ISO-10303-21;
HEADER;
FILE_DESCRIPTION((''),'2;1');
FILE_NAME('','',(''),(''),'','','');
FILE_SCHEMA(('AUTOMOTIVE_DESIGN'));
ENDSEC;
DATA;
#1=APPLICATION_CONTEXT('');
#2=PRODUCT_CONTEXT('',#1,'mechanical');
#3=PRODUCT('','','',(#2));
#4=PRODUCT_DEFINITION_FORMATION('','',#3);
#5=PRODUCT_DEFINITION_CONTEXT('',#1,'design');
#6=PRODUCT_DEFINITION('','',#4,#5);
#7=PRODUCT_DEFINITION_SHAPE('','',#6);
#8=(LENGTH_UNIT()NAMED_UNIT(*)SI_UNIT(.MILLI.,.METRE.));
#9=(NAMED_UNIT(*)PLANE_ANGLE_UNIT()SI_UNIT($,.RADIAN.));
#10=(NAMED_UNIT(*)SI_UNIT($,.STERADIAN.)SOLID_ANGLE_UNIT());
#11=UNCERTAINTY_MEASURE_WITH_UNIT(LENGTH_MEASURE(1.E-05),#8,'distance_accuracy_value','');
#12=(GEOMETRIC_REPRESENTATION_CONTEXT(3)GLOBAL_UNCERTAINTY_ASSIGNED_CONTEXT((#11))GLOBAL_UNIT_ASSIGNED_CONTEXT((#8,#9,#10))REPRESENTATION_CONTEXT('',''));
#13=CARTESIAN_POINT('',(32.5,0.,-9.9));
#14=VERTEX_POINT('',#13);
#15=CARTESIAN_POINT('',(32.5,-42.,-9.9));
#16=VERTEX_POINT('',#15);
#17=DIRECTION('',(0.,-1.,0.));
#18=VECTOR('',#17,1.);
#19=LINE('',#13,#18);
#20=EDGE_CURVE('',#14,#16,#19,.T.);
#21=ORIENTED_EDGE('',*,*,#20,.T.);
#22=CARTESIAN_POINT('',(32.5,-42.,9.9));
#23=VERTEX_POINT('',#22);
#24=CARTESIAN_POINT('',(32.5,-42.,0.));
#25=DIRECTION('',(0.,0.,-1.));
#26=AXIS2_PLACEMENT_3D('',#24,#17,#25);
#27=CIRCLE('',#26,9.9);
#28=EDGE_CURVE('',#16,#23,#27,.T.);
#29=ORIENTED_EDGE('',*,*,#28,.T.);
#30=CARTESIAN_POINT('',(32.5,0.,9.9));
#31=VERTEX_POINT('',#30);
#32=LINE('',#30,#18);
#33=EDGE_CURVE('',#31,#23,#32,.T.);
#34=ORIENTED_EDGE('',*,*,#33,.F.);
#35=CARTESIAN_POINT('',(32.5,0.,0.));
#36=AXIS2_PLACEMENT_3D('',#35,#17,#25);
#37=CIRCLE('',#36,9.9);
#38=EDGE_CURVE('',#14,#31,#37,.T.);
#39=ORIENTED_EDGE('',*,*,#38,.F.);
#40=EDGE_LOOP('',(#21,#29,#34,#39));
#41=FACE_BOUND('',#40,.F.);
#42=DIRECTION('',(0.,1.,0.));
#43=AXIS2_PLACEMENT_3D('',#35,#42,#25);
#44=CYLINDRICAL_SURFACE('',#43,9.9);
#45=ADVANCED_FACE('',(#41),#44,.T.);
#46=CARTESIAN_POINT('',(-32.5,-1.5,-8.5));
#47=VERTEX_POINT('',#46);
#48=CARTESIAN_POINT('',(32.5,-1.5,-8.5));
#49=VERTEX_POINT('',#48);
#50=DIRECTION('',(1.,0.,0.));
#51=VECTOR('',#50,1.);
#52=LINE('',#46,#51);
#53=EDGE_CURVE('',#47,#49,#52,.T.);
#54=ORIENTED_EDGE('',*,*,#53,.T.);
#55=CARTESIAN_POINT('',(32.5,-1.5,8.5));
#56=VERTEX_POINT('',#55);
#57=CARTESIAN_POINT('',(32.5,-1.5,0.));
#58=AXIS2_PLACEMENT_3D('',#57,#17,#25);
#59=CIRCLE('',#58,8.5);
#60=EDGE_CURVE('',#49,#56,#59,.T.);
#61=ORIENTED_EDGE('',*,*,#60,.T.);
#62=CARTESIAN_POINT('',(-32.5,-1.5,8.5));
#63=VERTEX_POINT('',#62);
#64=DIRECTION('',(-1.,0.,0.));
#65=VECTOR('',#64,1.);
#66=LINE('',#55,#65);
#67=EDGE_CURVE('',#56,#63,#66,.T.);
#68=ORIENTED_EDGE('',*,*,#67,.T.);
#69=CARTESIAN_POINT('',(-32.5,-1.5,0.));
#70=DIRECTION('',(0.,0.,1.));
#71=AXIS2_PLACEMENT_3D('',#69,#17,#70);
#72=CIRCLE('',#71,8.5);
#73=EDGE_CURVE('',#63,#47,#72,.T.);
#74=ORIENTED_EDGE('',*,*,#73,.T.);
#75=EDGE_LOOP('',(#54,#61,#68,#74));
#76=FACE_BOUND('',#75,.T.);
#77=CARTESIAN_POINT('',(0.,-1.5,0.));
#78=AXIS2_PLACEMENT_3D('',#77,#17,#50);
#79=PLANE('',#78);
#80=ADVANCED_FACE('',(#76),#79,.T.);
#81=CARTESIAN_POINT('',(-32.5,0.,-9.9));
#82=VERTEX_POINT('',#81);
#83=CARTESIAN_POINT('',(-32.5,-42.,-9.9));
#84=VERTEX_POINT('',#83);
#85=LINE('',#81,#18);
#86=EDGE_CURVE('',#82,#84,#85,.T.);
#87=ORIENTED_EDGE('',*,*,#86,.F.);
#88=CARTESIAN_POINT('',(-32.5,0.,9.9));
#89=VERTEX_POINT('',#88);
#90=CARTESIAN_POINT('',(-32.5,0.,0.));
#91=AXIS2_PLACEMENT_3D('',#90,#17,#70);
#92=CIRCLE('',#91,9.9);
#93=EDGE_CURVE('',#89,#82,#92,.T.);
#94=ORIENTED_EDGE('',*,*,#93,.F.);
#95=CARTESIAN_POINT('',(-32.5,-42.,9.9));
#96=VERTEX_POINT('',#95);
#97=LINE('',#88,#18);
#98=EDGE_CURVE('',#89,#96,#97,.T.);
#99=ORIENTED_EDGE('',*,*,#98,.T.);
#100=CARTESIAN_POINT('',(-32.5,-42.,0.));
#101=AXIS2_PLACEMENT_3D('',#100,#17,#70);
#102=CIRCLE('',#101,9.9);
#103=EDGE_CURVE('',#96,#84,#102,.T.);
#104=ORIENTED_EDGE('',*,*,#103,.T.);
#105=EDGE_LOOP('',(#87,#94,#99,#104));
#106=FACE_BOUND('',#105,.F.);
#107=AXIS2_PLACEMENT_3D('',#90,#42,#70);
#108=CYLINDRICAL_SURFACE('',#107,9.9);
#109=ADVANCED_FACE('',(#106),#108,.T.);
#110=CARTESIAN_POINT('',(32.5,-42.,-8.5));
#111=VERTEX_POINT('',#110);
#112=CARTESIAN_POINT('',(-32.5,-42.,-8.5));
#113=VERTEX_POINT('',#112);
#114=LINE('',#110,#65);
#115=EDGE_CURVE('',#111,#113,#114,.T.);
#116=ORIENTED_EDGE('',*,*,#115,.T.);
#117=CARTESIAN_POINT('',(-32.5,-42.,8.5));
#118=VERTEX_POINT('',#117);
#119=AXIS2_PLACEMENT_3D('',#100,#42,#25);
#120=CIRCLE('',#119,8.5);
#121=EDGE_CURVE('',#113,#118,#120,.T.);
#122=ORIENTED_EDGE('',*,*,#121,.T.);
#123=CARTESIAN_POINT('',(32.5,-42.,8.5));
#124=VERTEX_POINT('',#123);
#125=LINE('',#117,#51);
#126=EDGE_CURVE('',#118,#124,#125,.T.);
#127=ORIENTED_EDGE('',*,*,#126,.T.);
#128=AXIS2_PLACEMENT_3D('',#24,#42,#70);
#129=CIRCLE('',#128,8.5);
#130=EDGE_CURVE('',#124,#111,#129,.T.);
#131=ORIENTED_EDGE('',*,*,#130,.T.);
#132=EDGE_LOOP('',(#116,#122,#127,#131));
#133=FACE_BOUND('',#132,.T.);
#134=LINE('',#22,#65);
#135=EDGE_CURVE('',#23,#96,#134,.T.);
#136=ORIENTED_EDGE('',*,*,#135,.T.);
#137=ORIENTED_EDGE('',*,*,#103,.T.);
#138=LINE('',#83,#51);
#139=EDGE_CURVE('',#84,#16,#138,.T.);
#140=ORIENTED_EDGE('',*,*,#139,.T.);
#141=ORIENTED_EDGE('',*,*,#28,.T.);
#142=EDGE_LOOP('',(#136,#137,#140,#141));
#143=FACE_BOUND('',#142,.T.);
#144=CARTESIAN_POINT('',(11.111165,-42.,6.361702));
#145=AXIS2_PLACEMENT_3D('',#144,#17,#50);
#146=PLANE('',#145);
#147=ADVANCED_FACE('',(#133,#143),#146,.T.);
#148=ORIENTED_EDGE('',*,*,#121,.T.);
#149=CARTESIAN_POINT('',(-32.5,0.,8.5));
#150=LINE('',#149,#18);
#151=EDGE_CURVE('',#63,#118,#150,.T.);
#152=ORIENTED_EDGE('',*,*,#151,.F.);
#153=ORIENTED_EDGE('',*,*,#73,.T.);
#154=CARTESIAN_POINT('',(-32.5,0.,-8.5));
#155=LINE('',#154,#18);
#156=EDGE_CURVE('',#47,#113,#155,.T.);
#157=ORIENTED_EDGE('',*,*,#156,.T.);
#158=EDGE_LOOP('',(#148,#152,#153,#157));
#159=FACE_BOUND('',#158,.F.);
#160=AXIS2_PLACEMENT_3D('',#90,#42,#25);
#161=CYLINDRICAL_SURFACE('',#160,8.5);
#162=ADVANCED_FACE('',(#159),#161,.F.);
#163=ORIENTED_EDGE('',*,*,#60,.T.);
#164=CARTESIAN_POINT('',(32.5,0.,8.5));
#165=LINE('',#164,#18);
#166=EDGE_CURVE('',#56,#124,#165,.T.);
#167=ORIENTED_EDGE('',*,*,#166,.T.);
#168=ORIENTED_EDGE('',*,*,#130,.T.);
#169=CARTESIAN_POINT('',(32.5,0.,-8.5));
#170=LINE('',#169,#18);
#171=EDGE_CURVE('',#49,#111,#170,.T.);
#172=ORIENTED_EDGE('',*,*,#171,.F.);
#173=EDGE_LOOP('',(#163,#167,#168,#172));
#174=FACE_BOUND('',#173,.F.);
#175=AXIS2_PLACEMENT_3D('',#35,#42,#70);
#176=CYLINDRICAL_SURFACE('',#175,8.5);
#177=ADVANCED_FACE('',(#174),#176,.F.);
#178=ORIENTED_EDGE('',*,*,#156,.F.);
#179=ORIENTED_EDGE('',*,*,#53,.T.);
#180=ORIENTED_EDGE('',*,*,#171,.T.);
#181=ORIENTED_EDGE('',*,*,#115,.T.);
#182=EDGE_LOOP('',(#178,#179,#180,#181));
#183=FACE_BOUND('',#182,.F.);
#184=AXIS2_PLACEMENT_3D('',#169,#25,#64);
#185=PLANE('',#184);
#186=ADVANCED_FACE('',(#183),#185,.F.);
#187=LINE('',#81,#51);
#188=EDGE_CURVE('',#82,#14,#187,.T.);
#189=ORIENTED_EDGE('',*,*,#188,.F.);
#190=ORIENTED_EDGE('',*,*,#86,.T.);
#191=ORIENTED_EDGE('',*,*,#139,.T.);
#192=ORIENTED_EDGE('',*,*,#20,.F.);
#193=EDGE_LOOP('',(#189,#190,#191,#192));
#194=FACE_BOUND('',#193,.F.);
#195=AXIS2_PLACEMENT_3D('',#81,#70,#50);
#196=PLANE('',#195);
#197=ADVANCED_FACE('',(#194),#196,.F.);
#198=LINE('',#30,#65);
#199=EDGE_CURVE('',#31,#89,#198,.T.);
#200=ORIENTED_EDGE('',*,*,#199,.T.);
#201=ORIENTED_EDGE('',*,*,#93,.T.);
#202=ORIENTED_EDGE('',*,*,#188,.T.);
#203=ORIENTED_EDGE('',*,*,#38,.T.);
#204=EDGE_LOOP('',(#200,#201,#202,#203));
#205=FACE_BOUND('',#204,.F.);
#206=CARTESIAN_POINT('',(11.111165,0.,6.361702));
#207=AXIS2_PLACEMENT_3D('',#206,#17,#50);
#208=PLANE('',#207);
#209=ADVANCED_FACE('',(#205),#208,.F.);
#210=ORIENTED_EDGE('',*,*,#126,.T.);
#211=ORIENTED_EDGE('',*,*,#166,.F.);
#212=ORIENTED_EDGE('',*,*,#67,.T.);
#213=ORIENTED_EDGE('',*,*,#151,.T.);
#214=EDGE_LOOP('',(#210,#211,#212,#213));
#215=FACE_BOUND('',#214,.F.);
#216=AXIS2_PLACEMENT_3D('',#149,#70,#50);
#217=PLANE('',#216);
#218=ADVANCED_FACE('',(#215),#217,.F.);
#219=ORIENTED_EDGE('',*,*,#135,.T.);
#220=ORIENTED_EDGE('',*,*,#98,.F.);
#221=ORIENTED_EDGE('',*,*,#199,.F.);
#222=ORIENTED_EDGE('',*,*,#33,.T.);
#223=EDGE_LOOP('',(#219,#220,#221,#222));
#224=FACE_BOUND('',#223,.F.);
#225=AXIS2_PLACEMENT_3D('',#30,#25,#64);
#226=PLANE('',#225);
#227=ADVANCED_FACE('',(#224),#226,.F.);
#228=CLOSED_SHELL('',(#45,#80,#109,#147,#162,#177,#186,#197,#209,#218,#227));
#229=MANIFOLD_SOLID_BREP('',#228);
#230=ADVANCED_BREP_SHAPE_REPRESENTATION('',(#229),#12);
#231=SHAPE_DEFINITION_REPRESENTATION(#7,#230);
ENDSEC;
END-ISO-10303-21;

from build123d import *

# Parameters (mm, degrees)
F1_DEPTH = 1.5
F2_DEPTH = 42


with BuildPart() as f1:
    # F0 (on Front) → F1 (new body)
    with BuildSketch(Plane.XZ):
        with BuildLine():
            Line((32.5, 8), (-32.5, 8))
            ThreePointArc((-32.5, 8), (-40.5, 0), (-32.5, -8))
            Line((-32.5, -8), (32.5, -8))
            ThreePointArc((32.5, -8), (40.5, 0), (32.5, 8))
        make_face()
        with BuildLine():
            Line((32.5, 8.5), (-32.5, 8.5))
            Line((-32.5, 8.5), (-32.5, 8))
            Line((-32.5, 8), (32.5, 8))
            ThreePointArc((32.5, 8), (40.5, 0), (32.5, -8))
            Line((32.5, -8), (32.5, -8.5))
            ThreePointArc((32.5, -8.5), (41, 0), (32.5, 8.5))
        make_face()
        with BuildLine():
            Line((-32.5, 8), (-32.5, 8.5))
            ThreePointArc((-32.5, 8.5), (-41, 0), (-32.5, -8.5))
            Line((-32.5, -8.5), (32.5, -8.5))
            Line((32.5, -8.5), (32.5, -8))
            Line((32.5, -8), (-32.5, -8))
            ThreePointArc((-32.5, -8), (-40.5, 0), (-32.5, 8))
        make_face()
    extrude(amount=F1_DEPTH)

    # F0 (on Front) → F2 (join)
    with BuildSketch(Plane.XZ):
        with BuildLine():
            Line((32.5, 9.9), (-32.5, 9.9))
            Line((-32.5, 9.9), (-32.5, 8.5))
            Line((-32.5, 8.5), (32.5, 8.5))
            ThreePointArc((32.5, 8.5), (41, 0), (32.5, -8.5))
            Line((32.5, -8.5), (32.5, -9.9))
            ThreePointArc((32.5, -9.9), (42.4, 0), (32.5, 9.9))
        make_face()
        with BuildLine():
            Line((-32.5, 8.5), (-32.5, 9.9))
            ThreePointArc((-32.5, 9.9), (-42.4, 0), (-32.5, -9.9))
            Line((-32.5, -9.9), (32.5, -9.9))
            Line((32.5, -9.9), (32.5, -8.5))
            Line((32.5, -8.5), (-32.5, -8.5))
            ThreePointArc((-32.5, -8.5), (-41, 0), (-32.5, 8.5))
        make_face()
    extrude(amount=F2_DEPTH)


solid = f1.part
